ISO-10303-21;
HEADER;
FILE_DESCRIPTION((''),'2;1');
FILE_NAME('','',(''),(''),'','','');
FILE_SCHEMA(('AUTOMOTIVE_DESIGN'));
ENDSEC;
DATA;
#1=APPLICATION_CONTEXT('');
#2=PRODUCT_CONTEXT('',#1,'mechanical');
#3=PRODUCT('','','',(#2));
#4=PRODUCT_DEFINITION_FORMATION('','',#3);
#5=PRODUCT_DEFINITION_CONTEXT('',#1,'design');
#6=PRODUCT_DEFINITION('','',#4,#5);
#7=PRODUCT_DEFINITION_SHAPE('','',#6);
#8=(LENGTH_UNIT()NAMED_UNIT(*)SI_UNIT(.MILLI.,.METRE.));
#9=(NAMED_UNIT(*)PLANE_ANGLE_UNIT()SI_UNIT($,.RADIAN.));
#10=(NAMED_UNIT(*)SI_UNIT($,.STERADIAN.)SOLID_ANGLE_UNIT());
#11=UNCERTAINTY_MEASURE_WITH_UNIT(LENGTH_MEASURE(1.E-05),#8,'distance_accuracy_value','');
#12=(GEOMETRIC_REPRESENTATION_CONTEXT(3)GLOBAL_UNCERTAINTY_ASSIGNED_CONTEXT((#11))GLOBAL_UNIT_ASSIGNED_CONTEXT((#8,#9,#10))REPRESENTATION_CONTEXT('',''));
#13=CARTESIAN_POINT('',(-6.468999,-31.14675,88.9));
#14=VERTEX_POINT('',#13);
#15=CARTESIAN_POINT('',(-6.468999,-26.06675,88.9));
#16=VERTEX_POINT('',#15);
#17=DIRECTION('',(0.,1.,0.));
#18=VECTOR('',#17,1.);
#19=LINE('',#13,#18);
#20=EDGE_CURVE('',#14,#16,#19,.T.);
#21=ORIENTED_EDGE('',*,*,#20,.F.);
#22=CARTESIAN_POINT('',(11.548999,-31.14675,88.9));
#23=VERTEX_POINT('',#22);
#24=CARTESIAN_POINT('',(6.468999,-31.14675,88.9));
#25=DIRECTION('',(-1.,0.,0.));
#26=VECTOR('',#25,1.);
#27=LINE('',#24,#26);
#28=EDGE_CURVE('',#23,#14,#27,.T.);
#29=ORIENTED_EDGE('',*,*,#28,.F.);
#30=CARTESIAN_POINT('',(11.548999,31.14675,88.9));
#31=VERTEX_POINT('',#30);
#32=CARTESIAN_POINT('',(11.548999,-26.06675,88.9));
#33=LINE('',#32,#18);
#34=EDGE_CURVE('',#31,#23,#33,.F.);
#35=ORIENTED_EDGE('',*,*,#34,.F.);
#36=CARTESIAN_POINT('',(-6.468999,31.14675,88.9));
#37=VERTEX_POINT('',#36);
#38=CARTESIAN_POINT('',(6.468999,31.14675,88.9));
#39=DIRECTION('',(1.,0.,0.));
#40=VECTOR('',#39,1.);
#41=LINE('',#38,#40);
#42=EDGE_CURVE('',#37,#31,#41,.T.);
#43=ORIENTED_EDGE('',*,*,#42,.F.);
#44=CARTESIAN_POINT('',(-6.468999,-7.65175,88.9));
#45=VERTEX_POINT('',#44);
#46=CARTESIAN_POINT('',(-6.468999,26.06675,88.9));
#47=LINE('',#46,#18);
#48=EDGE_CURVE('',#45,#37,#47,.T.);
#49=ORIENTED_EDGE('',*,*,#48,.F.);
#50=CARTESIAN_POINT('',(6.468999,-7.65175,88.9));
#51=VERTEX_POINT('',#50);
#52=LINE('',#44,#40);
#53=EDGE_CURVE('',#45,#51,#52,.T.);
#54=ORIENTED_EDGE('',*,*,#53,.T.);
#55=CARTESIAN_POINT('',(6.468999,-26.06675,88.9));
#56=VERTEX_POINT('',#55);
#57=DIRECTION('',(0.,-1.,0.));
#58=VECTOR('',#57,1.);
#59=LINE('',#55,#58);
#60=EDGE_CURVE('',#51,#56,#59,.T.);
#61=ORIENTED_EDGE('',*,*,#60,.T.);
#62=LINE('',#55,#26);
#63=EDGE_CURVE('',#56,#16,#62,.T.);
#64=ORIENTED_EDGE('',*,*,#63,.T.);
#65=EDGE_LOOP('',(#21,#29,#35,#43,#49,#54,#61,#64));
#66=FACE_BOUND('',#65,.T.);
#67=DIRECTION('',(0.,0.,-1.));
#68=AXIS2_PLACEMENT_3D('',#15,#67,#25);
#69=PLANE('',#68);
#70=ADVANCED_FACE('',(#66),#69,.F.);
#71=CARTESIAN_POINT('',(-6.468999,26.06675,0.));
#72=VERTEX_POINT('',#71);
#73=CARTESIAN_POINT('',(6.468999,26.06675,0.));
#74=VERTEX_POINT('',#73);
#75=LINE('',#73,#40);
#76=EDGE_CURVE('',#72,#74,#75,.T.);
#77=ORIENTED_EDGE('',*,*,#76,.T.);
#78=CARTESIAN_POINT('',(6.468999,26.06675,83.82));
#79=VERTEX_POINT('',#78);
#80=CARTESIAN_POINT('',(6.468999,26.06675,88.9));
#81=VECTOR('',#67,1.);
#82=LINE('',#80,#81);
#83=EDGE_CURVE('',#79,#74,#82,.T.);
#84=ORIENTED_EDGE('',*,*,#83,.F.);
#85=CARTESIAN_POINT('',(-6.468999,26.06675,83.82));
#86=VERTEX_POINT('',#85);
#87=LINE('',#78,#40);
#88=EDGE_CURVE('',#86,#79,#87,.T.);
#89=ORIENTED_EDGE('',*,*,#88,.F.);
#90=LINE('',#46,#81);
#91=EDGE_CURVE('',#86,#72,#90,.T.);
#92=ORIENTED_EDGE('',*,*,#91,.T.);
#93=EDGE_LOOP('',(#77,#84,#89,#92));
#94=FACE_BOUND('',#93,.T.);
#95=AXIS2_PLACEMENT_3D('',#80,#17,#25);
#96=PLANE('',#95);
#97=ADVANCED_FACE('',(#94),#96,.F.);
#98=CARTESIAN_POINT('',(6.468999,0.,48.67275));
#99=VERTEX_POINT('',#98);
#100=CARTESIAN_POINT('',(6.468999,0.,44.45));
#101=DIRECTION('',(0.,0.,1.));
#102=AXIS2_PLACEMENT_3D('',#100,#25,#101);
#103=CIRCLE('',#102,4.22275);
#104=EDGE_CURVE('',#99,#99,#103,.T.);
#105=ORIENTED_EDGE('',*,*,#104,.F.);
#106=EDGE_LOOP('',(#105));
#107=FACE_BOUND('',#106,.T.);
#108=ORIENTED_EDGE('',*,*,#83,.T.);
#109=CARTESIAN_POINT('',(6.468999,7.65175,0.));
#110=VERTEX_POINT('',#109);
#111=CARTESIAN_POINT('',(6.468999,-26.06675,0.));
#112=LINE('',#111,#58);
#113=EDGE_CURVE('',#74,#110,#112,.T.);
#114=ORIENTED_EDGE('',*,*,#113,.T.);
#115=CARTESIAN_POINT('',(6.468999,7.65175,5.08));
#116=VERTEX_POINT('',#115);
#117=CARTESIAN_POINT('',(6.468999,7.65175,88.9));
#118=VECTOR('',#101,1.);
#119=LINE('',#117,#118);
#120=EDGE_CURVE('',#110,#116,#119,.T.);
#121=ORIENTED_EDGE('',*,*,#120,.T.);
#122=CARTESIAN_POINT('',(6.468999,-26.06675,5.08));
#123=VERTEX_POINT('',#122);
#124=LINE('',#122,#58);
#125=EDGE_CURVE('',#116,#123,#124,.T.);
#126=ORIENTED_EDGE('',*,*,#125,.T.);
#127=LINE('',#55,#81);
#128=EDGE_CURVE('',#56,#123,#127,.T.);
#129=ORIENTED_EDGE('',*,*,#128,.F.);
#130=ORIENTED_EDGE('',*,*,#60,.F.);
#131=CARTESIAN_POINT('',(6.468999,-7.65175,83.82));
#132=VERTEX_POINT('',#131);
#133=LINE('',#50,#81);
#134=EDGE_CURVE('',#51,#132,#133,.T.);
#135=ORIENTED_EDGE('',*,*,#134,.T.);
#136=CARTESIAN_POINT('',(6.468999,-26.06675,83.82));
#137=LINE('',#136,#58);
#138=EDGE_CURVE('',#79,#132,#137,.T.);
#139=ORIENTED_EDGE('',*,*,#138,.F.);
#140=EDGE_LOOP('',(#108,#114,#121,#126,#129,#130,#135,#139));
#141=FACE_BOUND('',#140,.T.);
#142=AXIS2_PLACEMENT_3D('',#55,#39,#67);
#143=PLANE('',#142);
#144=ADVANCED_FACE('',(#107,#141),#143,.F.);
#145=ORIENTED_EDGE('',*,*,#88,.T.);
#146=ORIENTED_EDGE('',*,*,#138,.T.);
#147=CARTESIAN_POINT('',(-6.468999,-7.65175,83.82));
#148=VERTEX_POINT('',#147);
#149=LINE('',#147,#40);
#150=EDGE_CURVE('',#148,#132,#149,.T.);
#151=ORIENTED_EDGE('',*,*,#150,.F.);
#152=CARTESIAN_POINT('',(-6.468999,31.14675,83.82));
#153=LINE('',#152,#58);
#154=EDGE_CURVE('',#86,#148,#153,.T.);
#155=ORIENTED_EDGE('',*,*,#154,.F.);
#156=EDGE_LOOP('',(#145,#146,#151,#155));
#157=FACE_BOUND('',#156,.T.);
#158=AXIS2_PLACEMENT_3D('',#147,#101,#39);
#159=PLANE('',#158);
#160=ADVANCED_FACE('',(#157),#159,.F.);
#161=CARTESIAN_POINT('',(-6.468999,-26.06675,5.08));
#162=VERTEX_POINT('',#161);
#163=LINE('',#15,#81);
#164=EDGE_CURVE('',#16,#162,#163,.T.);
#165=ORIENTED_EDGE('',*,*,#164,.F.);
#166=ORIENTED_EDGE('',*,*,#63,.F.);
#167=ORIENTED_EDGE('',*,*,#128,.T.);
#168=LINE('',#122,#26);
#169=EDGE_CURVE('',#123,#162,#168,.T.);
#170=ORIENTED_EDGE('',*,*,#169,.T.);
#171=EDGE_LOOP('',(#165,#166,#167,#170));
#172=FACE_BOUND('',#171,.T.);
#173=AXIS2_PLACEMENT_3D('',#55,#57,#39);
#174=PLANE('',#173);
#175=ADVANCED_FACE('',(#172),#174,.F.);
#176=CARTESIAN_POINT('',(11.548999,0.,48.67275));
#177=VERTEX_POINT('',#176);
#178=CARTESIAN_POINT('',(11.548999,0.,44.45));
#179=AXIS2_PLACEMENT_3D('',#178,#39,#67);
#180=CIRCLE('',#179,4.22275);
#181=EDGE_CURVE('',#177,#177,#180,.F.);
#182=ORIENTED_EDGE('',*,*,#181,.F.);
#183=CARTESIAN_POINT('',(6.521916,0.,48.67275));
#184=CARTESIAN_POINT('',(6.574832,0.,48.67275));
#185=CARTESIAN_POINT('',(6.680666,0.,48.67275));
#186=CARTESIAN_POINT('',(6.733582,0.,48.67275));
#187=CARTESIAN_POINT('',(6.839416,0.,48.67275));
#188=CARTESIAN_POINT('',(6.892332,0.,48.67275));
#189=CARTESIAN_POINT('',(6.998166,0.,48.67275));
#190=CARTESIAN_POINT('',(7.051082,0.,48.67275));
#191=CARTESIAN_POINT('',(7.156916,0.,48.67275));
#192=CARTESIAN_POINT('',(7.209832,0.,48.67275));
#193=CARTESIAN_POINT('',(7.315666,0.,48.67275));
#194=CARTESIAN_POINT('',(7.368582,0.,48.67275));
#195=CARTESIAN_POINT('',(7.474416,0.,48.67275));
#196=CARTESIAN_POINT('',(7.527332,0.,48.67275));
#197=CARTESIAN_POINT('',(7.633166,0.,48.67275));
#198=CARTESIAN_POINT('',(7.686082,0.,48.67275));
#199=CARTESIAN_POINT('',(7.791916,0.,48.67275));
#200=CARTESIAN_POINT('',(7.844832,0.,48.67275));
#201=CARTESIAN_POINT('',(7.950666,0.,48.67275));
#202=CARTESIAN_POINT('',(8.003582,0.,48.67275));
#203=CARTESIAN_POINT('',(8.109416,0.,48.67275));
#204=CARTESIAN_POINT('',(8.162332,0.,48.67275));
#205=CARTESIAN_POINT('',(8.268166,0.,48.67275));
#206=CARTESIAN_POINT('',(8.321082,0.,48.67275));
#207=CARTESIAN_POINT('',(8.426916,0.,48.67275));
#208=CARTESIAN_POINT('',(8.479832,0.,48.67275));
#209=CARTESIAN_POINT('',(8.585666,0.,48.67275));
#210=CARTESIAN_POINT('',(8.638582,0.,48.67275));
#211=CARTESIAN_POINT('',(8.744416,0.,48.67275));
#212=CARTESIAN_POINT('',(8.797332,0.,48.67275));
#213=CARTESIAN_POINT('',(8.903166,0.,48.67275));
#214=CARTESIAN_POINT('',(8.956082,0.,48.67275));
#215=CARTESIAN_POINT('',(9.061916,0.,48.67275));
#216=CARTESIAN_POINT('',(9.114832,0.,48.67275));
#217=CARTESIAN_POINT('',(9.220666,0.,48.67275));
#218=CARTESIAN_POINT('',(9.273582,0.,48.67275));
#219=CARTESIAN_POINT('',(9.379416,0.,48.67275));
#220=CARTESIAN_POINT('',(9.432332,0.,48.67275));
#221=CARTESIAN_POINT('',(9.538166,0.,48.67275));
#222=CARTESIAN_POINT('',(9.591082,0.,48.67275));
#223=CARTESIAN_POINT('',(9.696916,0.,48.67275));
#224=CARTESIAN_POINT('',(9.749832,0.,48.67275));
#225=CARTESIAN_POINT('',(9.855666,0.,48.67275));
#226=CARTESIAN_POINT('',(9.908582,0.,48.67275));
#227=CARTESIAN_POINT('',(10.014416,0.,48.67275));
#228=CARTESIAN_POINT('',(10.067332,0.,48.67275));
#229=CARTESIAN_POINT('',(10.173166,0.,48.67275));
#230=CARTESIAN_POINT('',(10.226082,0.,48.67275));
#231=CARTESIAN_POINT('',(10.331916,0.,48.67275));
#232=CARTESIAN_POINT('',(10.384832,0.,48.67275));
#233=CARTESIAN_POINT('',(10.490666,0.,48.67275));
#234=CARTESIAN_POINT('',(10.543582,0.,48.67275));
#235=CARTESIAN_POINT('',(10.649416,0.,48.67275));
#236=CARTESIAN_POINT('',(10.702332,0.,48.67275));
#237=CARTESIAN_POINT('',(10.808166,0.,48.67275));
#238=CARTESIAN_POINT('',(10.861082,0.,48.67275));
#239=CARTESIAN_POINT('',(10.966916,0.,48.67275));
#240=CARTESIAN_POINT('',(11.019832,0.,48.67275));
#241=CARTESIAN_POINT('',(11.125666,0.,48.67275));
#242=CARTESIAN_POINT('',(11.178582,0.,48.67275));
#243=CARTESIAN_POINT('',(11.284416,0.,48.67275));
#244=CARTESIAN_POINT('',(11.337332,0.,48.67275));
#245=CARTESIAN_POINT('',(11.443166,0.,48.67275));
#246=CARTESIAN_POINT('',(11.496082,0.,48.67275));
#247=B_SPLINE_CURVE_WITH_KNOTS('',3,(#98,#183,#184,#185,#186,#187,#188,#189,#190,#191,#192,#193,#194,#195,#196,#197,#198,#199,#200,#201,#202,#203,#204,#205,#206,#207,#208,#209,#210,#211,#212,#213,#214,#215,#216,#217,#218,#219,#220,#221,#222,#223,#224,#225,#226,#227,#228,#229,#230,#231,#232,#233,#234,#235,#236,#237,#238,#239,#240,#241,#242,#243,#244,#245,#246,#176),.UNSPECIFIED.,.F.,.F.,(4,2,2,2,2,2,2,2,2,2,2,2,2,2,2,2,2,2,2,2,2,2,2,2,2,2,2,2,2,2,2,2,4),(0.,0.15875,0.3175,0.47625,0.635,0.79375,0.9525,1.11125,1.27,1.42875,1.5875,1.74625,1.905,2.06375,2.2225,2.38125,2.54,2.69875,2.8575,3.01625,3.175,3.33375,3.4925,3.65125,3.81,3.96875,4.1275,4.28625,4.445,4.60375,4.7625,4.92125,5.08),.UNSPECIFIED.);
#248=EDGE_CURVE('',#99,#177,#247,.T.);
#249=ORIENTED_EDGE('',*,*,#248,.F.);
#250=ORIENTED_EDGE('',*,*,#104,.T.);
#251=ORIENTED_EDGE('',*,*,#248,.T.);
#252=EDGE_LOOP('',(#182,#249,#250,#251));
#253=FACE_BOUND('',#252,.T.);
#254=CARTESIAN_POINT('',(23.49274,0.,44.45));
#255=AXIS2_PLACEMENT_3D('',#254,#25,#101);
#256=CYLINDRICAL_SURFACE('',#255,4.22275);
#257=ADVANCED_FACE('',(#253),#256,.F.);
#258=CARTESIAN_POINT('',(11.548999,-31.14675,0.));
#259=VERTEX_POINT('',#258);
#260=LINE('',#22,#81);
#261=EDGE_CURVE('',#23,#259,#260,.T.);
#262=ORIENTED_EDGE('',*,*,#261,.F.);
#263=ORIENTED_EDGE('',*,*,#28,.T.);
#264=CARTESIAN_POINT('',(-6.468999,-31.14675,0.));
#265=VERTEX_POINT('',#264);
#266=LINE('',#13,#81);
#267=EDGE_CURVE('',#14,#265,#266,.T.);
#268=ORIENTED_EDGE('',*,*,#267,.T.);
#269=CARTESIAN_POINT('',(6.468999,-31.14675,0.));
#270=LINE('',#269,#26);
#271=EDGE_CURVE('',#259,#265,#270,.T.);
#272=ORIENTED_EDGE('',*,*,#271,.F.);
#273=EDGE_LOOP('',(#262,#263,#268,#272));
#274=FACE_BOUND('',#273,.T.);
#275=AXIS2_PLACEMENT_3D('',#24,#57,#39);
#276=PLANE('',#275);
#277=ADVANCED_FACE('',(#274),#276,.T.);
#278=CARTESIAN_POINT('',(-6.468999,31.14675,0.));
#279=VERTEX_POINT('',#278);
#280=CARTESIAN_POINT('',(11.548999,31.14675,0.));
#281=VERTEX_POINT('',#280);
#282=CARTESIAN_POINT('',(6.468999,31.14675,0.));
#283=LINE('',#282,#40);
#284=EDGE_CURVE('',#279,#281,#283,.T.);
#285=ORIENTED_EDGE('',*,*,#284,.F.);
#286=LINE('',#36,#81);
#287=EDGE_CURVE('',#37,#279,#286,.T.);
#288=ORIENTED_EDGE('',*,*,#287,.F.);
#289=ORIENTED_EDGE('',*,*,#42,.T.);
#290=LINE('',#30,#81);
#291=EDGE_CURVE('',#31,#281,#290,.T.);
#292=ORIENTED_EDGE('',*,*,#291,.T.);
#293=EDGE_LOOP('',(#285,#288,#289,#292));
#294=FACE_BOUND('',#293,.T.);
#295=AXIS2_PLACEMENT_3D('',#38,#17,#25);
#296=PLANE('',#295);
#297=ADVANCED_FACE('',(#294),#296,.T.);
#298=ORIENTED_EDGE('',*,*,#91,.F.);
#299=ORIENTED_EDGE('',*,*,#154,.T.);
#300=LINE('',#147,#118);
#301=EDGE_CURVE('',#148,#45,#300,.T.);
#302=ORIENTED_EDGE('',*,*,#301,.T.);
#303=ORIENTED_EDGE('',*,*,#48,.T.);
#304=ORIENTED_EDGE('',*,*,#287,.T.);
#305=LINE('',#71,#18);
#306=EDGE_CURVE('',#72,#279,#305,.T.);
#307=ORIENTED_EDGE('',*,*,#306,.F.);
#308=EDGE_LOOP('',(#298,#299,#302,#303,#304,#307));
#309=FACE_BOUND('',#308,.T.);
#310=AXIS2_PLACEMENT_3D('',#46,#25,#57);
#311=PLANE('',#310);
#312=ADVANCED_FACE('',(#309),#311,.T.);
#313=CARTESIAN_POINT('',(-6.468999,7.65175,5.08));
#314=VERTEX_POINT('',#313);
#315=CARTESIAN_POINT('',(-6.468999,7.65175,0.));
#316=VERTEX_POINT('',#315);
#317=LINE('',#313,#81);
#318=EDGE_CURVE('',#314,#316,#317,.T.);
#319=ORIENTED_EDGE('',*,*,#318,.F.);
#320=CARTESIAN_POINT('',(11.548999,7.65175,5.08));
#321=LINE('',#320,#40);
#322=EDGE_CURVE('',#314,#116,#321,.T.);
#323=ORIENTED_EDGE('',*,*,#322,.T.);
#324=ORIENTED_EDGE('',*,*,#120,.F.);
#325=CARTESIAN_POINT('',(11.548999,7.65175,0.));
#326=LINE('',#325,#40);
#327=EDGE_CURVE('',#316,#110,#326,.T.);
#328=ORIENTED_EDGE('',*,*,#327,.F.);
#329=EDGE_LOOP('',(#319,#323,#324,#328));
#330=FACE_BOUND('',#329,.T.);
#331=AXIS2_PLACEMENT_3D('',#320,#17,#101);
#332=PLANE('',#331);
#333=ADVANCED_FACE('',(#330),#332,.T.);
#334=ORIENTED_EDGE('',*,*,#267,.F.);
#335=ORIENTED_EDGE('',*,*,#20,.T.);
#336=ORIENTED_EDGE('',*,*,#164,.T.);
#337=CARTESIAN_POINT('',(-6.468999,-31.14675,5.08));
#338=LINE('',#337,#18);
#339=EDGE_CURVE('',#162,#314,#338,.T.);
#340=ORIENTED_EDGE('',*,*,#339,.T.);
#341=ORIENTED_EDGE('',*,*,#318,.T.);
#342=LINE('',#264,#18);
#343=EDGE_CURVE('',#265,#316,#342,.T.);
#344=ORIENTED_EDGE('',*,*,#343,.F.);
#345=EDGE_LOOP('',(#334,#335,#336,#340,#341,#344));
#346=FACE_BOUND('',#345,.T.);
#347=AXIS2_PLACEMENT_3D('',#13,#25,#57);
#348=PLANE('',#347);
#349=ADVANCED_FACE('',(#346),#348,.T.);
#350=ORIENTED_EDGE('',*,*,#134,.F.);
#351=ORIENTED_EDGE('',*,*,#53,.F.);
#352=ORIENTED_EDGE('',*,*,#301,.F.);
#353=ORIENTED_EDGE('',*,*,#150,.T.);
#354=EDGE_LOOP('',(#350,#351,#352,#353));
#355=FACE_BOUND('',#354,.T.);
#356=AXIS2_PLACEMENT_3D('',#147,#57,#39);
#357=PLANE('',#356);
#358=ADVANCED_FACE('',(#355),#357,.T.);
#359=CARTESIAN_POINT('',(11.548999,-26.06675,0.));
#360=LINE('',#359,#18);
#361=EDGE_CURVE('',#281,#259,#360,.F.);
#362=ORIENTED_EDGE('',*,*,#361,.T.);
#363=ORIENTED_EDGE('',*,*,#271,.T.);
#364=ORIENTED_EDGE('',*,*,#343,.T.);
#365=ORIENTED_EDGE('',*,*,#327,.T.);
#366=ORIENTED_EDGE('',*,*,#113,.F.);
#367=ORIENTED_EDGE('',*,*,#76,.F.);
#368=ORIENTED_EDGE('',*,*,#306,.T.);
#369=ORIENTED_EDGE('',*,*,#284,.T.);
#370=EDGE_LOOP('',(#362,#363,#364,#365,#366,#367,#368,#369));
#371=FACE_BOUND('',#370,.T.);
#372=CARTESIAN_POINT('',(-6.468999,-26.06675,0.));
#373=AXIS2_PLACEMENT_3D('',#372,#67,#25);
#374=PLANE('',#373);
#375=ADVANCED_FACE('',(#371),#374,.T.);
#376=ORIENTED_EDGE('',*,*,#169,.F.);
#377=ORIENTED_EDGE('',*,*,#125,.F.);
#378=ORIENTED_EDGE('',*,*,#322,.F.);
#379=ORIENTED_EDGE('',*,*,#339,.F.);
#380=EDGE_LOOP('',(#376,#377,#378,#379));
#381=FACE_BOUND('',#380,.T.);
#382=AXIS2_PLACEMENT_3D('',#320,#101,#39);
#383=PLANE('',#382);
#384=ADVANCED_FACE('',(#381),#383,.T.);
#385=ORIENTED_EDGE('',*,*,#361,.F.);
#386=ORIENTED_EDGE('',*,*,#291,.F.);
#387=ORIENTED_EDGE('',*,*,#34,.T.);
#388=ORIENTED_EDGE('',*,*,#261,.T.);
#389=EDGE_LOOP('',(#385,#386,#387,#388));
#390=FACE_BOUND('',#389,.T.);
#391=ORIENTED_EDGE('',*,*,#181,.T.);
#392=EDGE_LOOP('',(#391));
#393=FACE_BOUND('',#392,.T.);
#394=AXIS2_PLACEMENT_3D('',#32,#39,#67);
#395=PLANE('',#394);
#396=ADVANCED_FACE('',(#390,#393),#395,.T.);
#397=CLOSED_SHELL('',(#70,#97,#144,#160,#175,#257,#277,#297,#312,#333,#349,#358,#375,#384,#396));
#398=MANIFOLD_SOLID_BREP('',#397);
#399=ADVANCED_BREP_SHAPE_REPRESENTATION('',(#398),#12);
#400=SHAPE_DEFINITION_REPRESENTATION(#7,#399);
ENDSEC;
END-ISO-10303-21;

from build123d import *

# Parameters (mm, degrees)
EXTRUDE_THIN1_DEPTH = 88.9
SKETCH2_R           = 4.22275
CUT_EXTRUDE2_DEPTH  = 5.08
SKETCH3_W           = 18.017998
SKETCH3_H           = 38.7985
BOSS_EXTRUDE1_DEPTH = 5.08
SKETCH4_W           = 18.017998
SKETCH4_H           = 38.7985
BOSS_EXTRUDE2_DEPTH = 5.08


with BuildPart() as part:
    # Sketch1 → Extrude-Thin1 (new body)
    with BuildSketch(Plane.XY):
        Polygon((-6.468999, 26.06675), (6.468999, 26.06675), (6.468999, -26.06675), (-6.468999, -26.06675), (-6.468999, -31.14675), (11.548999, -31.14675), (11.548999, 31.14675), (-6.468999, 31.14675), align=None)
    extrude(amount=EXTRUDE_THIN1_DEPTH)

    # Sketch2 → Cut-Extrude2 (cut)
    with BuildSketch(Plane.ZY.offset(-6.468999)):
        with Locations((44.45, 0)):
            Circle(SKETCH2_R)
    extrude(amount=-CUT_EXTRUDE2_DEPTH, mode=Mode.SUBTRACT)

    # Sketch3 → Boss-Extrude1 (add)
    with BuildSketch(Plane.XY.offset(88.9)):
        with Locations((2.54, 11.7475)):
            Rectangle(SKETCH3_W, SKETCH3_H)
    extrude(amount=-BOSS_EXTRUDE1_DEPTH)

    # Sketch4 → Boss-Extrude2 (add)
    with BuildSketch(Plane(origin=(0, 0, 0), x_dir=(-1, 0, 0), z_dir=(0, 0, -1))):
        with Locations((-2.54, -11.7475)):
            Rectangle(SKETCH4_W, SKETCH4_H)
    extrude(amount=-BOSS_EXTRUDE2_DEPTH)


solid = part.part
